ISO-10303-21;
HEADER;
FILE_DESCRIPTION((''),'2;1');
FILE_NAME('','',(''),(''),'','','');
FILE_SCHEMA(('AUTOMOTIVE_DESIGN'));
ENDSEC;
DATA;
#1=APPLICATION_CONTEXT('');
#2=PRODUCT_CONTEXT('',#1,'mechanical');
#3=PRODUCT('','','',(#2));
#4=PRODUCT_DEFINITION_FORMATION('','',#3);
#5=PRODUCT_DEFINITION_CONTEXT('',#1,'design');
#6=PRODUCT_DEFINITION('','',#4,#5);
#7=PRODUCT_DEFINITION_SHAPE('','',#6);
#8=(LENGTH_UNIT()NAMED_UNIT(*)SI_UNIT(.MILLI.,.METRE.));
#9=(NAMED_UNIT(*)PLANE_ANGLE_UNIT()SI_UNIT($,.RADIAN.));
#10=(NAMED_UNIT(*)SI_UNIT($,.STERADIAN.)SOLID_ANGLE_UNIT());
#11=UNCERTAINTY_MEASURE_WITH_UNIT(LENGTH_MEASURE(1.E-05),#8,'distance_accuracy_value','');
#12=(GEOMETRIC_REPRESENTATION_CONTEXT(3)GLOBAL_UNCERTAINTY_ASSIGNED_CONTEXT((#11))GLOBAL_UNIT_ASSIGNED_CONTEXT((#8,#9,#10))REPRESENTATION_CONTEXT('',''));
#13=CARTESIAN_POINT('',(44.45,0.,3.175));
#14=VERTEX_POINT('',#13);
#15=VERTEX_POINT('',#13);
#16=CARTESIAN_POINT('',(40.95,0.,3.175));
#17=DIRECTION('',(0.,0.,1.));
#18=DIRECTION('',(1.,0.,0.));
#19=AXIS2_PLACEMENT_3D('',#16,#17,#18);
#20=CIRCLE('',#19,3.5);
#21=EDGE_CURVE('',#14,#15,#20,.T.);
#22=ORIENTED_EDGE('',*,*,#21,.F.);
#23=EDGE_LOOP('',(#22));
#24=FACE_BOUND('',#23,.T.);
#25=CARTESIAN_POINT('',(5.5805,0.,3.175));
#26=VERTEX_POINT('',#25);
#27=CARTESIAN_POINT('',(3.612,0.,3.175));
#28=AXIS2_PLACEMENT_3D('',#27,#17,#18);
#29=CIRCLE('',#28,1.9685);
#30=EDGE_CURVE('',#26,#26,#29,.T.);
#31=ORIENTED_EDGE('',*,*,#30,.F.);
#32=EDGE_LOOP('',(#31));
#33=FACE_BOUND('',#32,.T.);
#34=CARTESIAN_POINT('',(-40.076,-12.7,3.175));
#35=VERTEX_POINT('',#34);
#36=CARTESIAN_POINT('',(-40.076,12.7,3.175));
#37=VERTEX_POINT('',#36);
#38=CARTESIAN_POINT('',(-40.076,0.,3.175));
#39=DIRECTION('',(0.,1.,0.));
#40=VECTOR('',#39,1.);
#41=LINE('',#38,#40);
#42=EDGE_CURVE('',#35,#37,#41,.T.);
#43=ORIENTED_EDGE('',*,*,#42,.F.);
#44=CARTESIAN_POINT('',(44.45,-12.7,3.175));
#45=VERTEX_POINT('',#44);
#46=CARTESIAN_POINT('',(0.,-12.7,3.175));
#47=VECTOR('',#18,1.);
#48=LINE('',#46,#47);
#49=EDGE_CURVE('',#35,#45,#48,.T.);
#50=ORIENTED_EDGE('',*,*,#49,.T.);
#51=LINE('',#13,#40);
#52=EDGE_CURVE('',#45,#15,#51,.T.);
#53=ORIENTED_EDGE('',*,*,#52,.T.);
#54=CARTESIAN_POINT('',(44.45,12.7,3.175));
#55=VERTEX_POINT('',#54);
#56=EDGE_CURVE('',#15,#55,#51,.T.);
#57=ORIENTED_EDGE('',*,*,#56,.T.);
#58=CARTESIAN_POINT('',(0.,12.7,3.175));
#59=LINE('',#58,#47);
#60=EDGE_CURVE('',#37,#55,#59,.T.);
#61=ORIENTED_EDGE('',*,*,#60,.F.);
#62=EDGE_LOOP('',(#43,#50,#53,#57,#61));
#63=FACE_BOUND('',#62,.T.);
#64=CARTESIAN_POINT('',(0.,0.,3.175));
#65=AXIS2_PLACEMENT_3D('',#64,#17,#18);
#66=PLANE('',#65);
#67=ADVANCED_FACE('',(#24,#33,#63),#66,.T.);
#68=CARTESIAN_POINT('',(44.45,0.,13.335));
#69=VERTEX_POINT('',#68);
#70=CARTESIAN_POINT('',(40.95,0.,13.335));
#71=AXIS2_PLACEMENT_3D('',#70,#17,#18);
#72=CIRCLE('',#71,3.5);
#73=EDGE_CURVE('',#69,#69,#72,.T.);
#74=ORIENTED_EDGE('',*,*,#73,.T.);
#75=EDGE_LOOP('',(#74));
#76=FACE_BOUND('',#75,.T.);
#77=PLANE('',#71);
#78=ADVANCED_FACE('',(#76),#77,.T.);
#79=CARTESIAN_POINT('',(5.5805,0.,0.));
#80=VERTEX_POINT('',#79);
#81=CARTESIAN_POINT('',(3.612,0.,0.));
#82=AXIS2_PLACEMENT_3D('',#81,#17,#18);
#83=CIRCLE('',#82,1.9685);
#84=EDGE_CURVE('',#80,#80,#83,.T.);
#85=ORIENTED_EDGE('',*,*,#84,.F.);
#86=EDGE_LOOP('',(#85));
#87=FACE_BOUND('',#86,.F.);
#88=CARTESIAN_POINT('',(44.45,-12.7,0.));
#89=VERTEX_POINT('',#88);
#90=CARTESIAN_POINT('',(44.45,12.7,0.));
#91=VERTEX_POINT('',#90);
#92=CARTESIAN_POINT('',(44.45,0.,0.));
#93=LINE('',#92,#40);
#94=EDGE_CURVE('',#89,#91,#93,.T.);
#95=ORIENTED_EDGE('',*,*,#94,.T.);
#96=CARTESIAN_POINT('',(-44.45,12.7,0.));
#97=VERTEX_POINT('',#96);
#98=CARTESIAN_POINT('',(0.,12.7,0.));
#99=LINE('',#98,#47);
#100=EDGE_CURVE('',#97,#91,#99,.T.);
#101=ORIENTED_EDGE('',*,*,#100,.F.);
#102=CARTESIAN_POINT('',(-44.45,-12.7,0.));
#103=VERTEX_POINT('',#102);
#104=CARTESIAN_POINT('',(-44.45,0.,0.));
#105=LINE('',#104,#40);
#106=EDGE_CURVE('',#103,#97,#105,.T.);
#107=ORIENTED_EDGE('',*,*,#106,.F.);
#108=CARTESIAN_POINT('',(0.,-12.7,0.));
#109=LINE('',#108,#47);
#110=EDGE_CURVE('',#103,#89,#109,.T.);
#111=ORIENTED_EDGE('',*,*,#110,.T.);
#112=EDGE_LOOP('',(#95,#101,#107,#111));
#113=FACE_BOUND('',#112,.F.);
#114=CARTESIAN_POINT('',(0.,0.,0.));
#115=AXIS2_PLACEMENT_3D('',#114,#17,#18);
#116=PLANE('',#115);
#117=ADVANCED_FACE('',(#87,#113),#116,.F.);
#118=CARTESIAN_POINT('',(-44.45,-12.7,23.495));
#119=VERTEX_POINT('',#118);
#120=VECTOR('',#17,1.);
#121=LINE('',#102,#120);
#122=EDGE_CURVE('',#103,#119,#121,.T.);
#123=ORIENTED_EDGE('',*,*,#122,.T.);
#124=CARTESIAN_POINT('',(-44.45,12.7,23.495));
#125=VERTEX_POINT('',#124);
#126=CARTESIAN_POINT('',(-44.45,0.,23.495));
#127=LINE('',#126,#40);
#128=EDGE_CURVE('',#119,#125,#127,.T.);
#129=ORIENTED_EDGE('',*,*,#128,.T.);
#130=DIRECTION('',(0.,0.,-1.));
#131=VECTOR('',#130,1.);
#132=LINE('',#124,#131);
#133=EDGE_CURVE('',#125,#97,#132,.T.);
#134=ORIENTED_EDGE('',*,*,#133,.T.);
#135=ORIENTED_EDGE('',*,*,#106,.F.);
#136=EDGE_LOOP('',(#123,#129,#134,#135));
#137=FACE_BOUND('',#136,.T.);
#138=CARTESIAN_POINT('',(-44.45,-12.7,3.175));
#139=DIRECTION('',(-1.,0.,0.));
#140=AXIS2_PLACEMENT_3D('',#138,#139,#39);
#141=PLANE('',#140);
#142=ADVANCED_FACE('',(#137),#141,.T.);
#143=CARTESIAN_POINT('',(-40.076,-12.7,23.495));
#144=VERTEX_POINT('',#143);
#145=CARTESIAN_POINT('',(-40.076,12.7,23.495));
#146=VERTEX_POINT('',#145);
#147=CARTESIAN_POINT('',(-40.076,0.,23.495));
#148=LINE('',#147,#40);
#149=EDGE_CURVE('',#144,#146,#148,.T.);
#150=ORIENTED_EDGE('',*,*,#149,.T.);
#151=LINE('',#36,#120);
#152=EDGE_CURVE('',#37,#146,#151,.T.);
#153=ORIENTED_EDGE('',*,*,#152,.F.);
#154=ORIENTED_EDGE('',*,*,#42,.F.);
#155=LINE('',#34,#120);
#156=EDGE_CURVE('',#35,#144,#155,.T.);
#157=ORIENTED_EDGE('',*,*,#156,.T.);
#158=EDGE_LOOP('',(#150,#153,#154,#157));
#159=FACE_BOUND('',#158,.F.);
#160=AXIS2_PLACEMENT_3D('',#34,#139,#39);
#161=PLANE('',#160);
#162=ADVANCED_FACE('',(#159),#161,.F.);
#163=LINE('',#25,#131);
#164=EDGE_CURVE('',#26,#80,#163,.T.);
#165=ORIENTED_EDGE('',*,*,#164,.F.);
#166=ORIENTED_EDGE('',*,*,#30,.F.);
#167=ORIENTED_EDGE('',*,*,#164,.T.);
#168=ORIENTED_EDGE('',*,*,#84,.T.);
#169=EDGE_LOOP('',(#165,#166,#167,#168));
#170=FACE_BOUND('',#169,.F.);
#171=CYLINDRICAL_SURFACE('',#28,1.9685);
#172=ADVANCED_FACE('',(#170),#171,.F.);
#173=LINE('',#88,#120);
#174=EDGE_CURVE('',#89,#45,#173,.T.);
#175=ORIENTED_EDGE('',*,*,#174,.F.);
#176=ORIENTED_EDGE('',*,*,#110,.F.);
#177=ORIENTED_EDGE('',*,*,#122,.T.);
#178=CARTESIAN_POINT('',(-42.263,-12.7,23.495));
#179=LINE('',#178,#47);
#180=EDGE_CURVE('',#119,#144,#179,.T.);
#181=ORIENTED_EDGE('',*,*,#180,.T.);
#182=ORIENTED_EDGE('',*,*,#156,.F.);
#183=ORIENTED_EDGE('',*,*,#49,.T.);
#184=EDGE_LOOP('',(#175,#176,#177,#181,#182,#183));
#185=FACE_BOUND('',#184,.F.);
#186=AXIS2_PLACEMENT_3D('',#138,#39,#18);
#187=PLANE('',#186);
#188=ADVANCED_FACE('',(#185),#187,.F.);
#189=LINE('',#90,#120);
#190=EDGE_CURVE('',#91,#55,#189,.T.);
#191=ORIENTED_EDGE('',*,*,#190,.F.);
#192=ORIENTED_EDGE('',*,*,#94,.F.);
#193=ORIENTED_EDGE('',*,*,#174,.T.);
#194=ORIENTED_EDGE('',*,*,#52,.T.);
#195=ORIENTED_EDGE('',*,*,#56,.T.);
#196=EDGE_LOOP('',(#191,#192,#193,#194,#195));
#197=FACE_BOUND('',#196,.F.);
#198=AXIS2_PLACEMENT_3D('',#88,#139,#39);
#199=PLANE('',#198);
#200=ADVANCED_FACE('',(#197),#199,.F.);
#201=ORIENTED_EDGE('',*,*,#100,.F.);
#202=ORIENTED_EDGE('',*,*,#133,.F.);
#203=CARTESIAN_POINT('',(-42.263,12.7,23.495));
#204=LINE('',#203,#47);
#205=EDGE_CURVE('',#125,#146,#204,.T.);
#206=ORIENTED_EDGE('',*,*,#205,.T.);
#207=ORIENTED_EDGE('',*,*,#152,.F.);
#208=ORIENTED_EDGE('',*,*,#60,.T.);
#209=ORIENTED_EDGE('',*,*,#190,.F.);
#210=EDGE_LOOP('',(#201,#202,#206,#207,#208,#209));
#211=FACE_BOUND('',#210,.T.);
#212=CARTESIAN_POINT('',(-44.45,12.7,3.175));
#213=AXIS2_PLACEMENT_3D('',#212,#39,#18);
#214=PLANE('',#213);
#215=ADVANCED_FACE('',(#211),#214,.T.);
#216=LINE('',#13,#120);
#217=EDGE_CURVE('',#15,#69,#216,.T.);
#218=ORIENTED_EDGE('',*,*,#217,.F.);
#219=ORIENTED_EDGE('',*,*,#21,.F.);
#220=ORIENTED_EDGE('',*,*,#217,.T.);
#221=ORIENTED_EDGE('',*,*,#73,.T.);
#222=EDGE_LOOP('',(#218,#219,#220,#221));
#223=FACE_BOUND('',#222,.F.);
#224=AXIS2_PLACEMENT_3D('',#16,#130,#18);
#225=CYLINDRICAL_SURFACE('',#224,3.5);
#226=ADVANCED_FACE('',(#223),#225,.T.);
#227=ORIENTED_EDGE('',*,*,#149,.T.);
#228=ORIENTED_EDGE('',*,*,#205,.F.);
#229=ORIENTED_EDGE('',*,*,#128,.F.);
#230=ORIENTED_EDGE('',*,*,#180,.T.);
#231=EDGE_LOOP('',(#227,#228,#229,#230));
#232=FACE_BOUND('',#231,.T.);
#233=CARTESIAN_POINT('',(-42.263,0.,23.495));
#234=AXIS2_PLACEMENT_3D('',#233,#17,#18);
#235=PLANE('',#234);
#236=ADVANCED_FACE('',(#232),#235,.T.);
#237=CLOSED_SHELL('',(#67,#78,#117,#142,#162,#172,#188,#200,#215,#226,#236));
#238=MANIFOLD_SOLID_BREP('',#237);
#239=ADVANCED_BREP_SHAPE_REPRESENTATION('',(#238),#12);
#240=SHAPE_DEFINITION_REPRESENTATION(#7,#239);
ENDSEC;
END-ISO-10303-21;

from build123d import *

# Parameters (mm, degrees)
F0_W     = 88.9
F0_H     = 25.4
F1_DEPTH = 3.175
F2_R     = 3.5
F3_DEPTH = 10.16
F4_R     = 1.9685
F5_DEPTH = 25.4
F6_W     = 4.374
F6_H     = 25.4
F7_DEPTH = 20.32


with BuildPart() as f1:
    # F0 (on Top) → F1 (new body)
    with BuildSketch(Plane.XY):
        Rectangle(F0_W, F0_H)
    extrude(amount=F1_DEPTH)

    # F2 (on face) → F3 (join)
    with BuildSketch(Plane.XY.offset(3.175)):
        with Locations((40.95, 0)):
            Circle(F2_R)
    extrude(amount=F3_DEPTH)

    # F4 (on face) → F5 (cut)
    with BuildSketch(Plane.XY.offset(3.175)):
        with Locations((3.612, 0)):
            Circle(F4_R)
    extrude(amount=-F5_DEPTH, mode=Mode.SUBTRACT)

    # F6 (on face) → F7 (join)
    with BuildSketch(Plane.XY.offset(3.175)):
        with Locations((-42.263, 0)):
            Rectangle(F6_W, F6_H)
    extrude(amount=F7_DEPTH)


solid = f1.part
